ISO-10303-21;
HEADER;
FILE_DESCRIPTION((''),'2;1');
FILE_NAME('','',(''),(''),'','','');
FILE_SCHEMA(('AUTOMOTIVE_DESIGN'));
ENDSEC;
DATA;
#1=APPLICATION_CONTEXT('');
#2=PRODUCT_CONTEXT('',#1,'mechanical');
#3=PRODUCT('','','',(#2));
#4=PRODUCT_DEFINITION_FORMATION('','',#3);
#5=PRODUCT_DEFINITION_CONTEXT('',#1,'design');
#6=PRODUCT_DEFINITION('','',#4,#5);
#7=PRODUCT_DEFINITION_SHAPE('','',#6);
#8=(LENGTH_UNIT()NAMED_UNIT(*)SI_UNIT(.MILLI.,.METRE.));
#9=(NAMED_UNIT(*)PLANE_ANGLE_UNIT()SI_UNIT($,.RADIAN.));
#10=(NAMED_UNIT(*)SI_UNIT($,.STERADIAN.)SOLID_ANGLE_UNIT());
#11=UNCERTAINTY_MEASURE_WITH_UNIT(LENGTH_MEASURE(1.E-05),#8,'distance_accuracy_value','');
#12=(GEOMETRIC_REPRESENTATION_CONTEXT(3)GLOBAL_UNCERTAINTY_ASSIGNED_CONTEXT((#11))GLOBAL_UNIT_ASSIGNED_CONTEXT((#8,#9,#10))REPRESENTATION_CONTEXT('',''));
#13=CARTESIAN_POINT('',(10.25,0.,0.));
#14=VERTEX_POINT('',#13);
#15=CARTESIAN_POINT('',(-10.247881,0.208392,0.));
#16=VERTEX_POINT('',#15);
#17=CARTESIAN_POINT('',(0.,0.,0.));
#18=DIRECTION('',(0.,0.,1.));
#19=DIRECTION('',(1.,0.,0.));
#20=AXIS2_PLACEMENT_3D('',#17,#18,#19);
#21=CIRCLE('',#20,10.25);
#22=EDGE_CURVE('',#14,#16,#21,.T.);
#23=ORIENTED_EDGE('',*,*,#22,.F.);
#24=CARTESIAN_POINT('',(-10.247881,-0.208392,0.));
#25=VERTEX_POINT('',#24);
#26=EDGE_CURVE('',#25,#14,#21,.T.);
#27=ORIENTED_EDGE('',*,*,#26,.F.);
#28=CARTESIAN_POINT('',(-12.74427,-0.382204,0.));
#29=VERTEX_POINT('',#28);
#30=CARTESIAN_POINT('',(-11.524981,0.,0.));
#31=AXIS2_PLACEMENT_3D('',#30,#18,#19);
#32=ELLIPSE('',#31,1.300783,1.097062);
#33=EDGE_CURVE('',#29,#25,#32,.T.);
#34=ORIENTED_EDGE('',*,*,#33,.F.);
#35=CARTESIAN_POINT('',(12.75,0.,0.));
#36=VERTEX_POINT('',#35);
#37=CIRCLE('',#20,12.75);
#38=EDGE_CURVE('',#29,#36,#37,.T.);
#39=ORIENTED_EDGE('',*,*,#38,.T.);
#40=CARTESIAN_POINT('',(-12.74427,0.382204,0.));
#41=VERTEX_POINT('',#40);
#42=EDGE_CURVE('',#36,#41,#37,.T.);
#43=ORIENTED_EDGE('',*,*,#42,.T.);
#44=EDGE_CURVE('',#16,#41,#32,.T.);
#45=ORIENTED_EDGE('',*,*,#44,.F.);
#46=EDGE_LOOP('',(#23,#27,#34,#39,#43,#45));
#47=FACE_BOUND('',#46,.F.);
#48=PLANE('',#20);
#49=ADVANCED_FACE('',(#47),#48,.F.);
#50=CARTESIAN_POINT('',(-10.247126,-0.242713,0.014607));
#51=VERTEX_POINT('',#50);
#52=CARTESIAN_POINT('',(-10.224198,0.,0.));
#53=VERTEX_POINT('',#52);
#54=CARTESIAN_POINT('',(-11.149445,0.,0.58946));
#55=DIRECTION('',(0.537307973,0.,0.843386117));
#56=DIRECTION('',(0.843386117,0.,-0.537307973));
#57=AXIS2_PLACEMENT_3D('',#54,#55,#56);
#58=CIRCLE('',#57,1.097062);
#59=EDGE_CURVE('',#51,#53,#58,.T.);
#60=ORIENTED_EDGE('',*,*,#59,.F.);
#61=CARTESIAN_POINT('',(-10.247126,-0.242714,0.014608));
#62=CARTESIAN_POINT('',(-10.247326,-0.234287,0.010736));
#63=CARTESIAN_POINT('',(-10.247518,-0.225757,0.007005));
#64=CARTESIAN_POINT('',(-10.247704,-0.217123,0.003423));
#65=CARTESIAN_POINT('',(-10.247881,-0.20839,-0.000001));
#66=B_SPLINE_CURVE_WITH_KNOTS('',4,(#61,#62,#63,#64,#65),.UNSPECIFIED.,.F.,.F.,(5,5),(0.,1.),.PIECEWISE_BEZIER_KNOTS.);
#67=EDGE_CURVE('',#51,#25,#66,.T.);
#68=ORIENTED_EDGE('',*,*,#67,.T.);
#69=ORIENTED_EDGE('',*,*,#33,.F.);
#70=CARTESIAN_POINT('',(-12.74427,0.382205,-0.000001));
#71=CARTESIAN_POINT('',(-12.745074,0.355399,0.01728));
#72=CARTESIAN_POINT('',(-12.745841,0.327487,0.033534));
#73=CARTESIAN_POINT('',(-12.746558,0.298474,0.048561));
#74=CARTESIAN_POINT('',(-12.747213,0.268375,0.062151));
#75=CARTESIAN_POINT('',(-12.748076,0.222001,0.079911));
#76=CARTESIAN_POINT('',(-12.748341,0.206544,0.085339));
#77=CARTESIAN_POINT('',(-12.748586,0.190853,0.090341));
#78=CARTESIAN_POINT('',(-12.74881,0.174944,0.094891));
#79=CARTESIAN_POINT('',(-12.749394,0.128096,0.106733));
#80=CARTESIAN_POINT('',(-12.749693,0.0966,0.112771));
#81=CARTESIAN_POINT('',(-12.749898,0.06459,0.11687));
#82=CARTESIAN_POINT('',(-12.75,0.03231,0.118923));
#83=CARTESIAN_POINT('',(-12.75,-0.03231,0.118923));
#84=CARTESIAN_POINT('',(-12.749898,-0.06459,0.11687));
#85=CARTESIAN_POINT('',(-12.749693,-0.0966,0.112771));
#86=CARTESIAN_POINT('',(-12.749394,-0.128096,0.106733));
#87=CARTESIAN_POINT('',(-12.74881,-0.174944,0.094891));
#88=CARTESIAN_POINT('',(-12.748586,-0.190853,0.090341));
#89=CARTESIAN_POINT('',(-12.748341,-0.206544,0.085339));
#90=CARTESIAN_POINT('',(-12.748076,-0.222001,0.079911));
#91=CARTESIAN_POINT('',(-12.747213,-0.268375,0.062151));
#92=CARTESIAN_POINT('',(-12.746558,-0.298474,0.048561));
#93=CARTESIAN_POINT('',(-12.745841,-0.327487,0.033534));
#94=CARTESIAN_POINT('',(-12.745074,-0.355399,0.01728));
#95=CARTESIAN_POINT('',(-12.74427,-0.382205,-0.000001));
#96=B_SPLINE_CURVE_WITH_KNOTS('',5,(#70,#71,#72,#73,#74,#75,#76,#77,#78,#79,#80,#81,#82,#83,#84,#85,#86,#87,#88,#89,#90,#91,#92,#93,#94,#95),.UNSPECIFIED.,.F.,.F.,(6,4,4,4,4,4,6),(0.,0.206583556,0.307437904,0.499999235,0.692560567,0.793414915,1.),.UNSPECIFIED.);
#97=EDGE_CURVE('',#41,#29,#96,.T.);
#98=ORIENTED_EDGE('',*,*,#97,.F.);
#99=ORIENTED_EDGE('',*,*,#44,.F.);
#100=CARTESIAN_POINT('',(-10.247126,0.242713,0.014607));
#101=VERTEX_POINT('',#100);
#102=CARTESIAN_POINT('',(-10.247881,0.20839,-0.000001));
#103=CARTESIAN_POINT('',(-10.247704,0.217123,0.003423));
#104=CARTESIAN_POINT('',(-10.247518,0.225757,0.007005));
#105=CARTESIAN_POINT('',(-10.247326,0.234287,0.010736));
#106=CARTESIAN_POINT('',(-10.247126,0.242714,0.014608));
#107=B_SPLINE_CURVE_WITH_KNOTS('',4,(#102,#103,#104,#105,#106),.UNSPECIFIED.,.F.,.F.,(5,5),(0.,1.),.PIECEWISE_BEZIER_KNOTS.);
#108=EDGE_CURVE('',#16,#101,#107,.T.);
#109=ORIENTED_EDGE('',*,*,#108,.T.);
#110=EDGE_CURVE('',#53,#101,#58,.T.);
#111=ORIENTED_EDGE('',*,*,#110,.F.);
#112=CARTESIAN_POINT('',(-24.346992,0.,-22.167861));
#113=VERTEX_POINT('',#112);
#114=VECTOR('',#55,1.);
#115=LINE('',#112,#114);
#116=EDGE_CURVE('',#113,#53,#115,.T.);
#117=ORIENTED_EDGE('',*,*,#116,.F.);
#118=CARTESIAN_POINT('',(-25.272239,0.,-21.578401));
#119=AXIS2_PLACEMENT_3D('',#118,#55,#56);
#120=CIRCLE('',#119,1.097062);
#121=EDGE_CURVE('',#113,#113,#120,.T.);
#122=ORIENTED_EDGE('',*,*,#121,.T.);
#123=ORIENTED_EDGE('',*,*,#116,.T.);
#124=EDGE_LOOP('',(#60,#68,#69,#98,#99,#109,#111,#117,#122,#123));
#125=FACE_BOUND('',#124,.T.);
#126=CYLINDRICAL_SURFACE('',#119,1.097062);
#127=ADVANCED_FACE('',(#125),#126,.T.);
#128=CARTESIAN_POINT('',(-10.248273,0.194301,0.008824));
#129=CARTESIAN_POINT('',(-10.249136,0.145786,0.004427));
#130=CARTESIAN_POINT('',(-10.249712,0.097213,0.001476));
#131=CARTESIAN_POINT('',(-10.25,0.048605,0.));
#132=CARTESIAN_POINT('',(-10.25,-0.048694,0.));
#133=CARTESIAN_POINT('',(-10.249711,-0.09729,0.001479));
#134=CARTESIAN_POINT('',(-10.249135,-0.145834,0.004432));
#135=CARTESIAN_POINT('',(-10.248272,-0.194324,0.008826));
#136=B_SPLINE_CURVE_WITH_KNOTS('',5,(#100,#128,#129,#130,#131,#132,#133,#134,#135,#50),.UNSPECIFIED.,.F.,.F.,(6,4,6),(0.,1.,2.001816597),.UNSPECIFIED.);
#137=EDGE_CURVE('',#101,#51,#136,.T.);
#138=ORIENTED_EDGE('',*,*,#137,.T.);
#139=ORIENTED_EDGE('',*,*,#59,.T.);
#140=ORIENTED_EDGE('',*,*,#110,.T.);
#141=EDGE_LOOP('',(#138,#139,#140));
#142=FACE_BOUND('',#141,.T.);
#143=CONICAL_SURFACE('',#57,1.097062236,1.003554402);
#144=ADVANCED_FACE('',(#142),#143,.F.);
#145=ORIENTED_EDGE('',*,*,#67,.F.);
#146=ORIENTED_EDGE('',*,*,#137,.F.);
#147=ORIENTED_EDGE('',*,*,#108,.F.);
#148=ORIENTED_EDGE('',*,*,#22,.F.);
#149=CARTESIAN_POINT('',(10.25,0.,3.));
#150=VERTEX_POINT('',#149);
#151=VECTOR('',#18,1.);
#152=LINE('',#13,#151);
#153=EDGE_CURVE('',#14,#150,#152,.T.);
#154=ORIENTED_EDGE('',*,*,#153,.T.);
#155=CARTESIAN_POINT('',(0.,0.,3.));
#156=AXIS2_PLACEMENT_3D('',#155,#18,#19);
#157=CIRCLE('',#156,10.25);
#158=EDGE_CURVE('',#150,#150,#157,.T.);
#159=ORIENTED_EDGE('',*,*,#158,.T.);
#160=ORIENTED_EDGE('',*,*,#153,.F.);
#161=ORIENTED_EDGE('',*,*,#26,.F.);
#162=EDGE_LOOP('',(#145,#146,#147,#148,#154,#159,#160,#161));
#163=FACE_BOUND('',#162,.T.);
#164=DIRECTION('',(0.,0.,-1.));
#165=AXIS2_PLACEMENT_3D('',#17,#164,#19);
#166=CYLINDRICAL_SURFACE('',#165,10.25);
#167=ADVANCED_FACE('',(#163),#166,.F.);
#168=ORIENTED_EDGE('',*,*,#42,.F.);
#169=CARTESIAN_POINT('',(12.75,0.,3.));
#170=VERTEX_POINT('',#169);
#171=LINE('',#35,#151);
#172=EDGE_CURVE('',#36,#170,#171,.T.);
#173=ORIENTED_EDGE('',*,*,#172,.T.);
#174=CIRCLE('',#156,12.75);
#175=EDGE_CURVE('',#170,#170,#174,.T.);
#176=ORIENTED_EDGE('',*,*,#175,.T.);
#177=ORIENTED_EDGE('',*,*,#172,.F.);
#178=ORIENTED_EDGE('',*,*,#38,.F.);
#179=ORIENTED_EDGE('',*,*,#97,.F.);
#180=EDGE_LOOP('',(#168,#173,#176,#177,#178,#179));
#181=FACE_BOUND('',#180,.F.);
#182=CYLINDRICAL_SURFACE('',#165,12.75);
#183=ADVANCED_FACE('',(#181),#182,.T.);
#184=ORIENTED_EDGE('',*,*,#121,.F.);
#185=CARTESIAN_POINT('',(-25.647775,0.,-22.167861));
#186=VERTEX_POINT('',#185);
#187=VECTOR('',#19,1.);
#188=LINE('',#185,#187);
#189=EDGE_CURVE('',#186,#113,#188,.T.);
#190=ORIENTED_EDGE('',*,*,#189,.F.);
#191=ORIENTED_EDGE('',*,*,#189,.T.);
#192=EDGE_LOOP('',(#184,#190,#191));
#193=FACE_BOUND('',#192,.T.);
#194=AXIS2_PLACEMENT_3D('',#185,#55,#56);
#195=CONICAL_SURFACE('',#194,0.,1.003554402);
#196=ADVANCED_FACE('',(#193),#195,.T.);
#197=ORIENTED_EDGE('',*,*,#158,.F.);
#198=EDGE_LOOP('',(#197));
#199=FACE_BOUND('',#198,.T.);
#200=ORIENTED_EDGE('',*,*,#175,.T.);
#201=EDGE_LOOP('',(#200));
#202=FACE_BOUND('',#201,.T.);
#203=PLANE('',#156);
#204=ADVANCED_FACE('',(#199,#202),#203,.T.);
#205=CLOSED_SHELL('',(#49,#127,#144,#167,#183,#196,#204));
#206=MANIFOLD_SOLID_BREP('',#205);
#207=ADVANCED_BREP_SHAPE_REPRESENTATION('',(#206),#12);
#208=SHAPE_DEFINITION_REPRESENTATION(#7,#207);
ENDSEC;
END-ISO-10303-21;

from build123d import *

# Parameters (mm, degrees)
F0_R     = 12.75
F0_R_2   = 10.25
F1_DEPTH = 3


with BuildPart() as f1:
    # F0 (on Top) → F1 (new body)
    with BuildSketch(Plane.XY):
        Circle(F0_R)
        Circle(F0_R_2, mode=Mode.SUBTRACT)
    extrude(amount=F1_DEPTH)

    # F2 (on Front) → F3 (revolve)
    with BuildSketch(Plane.XZ):
        Polygon((-10.2241979912, 0), (-11.5249808878, 0), (-25.64777527, -22.1678614616), (-24.3469923735, -22.1678614616), align=None)
    revolve(axis=Axis((-18.5863780789, 0, -11.0839307308), (0.5373079732, 0, 0.8433861168)))


solid = f1.part
